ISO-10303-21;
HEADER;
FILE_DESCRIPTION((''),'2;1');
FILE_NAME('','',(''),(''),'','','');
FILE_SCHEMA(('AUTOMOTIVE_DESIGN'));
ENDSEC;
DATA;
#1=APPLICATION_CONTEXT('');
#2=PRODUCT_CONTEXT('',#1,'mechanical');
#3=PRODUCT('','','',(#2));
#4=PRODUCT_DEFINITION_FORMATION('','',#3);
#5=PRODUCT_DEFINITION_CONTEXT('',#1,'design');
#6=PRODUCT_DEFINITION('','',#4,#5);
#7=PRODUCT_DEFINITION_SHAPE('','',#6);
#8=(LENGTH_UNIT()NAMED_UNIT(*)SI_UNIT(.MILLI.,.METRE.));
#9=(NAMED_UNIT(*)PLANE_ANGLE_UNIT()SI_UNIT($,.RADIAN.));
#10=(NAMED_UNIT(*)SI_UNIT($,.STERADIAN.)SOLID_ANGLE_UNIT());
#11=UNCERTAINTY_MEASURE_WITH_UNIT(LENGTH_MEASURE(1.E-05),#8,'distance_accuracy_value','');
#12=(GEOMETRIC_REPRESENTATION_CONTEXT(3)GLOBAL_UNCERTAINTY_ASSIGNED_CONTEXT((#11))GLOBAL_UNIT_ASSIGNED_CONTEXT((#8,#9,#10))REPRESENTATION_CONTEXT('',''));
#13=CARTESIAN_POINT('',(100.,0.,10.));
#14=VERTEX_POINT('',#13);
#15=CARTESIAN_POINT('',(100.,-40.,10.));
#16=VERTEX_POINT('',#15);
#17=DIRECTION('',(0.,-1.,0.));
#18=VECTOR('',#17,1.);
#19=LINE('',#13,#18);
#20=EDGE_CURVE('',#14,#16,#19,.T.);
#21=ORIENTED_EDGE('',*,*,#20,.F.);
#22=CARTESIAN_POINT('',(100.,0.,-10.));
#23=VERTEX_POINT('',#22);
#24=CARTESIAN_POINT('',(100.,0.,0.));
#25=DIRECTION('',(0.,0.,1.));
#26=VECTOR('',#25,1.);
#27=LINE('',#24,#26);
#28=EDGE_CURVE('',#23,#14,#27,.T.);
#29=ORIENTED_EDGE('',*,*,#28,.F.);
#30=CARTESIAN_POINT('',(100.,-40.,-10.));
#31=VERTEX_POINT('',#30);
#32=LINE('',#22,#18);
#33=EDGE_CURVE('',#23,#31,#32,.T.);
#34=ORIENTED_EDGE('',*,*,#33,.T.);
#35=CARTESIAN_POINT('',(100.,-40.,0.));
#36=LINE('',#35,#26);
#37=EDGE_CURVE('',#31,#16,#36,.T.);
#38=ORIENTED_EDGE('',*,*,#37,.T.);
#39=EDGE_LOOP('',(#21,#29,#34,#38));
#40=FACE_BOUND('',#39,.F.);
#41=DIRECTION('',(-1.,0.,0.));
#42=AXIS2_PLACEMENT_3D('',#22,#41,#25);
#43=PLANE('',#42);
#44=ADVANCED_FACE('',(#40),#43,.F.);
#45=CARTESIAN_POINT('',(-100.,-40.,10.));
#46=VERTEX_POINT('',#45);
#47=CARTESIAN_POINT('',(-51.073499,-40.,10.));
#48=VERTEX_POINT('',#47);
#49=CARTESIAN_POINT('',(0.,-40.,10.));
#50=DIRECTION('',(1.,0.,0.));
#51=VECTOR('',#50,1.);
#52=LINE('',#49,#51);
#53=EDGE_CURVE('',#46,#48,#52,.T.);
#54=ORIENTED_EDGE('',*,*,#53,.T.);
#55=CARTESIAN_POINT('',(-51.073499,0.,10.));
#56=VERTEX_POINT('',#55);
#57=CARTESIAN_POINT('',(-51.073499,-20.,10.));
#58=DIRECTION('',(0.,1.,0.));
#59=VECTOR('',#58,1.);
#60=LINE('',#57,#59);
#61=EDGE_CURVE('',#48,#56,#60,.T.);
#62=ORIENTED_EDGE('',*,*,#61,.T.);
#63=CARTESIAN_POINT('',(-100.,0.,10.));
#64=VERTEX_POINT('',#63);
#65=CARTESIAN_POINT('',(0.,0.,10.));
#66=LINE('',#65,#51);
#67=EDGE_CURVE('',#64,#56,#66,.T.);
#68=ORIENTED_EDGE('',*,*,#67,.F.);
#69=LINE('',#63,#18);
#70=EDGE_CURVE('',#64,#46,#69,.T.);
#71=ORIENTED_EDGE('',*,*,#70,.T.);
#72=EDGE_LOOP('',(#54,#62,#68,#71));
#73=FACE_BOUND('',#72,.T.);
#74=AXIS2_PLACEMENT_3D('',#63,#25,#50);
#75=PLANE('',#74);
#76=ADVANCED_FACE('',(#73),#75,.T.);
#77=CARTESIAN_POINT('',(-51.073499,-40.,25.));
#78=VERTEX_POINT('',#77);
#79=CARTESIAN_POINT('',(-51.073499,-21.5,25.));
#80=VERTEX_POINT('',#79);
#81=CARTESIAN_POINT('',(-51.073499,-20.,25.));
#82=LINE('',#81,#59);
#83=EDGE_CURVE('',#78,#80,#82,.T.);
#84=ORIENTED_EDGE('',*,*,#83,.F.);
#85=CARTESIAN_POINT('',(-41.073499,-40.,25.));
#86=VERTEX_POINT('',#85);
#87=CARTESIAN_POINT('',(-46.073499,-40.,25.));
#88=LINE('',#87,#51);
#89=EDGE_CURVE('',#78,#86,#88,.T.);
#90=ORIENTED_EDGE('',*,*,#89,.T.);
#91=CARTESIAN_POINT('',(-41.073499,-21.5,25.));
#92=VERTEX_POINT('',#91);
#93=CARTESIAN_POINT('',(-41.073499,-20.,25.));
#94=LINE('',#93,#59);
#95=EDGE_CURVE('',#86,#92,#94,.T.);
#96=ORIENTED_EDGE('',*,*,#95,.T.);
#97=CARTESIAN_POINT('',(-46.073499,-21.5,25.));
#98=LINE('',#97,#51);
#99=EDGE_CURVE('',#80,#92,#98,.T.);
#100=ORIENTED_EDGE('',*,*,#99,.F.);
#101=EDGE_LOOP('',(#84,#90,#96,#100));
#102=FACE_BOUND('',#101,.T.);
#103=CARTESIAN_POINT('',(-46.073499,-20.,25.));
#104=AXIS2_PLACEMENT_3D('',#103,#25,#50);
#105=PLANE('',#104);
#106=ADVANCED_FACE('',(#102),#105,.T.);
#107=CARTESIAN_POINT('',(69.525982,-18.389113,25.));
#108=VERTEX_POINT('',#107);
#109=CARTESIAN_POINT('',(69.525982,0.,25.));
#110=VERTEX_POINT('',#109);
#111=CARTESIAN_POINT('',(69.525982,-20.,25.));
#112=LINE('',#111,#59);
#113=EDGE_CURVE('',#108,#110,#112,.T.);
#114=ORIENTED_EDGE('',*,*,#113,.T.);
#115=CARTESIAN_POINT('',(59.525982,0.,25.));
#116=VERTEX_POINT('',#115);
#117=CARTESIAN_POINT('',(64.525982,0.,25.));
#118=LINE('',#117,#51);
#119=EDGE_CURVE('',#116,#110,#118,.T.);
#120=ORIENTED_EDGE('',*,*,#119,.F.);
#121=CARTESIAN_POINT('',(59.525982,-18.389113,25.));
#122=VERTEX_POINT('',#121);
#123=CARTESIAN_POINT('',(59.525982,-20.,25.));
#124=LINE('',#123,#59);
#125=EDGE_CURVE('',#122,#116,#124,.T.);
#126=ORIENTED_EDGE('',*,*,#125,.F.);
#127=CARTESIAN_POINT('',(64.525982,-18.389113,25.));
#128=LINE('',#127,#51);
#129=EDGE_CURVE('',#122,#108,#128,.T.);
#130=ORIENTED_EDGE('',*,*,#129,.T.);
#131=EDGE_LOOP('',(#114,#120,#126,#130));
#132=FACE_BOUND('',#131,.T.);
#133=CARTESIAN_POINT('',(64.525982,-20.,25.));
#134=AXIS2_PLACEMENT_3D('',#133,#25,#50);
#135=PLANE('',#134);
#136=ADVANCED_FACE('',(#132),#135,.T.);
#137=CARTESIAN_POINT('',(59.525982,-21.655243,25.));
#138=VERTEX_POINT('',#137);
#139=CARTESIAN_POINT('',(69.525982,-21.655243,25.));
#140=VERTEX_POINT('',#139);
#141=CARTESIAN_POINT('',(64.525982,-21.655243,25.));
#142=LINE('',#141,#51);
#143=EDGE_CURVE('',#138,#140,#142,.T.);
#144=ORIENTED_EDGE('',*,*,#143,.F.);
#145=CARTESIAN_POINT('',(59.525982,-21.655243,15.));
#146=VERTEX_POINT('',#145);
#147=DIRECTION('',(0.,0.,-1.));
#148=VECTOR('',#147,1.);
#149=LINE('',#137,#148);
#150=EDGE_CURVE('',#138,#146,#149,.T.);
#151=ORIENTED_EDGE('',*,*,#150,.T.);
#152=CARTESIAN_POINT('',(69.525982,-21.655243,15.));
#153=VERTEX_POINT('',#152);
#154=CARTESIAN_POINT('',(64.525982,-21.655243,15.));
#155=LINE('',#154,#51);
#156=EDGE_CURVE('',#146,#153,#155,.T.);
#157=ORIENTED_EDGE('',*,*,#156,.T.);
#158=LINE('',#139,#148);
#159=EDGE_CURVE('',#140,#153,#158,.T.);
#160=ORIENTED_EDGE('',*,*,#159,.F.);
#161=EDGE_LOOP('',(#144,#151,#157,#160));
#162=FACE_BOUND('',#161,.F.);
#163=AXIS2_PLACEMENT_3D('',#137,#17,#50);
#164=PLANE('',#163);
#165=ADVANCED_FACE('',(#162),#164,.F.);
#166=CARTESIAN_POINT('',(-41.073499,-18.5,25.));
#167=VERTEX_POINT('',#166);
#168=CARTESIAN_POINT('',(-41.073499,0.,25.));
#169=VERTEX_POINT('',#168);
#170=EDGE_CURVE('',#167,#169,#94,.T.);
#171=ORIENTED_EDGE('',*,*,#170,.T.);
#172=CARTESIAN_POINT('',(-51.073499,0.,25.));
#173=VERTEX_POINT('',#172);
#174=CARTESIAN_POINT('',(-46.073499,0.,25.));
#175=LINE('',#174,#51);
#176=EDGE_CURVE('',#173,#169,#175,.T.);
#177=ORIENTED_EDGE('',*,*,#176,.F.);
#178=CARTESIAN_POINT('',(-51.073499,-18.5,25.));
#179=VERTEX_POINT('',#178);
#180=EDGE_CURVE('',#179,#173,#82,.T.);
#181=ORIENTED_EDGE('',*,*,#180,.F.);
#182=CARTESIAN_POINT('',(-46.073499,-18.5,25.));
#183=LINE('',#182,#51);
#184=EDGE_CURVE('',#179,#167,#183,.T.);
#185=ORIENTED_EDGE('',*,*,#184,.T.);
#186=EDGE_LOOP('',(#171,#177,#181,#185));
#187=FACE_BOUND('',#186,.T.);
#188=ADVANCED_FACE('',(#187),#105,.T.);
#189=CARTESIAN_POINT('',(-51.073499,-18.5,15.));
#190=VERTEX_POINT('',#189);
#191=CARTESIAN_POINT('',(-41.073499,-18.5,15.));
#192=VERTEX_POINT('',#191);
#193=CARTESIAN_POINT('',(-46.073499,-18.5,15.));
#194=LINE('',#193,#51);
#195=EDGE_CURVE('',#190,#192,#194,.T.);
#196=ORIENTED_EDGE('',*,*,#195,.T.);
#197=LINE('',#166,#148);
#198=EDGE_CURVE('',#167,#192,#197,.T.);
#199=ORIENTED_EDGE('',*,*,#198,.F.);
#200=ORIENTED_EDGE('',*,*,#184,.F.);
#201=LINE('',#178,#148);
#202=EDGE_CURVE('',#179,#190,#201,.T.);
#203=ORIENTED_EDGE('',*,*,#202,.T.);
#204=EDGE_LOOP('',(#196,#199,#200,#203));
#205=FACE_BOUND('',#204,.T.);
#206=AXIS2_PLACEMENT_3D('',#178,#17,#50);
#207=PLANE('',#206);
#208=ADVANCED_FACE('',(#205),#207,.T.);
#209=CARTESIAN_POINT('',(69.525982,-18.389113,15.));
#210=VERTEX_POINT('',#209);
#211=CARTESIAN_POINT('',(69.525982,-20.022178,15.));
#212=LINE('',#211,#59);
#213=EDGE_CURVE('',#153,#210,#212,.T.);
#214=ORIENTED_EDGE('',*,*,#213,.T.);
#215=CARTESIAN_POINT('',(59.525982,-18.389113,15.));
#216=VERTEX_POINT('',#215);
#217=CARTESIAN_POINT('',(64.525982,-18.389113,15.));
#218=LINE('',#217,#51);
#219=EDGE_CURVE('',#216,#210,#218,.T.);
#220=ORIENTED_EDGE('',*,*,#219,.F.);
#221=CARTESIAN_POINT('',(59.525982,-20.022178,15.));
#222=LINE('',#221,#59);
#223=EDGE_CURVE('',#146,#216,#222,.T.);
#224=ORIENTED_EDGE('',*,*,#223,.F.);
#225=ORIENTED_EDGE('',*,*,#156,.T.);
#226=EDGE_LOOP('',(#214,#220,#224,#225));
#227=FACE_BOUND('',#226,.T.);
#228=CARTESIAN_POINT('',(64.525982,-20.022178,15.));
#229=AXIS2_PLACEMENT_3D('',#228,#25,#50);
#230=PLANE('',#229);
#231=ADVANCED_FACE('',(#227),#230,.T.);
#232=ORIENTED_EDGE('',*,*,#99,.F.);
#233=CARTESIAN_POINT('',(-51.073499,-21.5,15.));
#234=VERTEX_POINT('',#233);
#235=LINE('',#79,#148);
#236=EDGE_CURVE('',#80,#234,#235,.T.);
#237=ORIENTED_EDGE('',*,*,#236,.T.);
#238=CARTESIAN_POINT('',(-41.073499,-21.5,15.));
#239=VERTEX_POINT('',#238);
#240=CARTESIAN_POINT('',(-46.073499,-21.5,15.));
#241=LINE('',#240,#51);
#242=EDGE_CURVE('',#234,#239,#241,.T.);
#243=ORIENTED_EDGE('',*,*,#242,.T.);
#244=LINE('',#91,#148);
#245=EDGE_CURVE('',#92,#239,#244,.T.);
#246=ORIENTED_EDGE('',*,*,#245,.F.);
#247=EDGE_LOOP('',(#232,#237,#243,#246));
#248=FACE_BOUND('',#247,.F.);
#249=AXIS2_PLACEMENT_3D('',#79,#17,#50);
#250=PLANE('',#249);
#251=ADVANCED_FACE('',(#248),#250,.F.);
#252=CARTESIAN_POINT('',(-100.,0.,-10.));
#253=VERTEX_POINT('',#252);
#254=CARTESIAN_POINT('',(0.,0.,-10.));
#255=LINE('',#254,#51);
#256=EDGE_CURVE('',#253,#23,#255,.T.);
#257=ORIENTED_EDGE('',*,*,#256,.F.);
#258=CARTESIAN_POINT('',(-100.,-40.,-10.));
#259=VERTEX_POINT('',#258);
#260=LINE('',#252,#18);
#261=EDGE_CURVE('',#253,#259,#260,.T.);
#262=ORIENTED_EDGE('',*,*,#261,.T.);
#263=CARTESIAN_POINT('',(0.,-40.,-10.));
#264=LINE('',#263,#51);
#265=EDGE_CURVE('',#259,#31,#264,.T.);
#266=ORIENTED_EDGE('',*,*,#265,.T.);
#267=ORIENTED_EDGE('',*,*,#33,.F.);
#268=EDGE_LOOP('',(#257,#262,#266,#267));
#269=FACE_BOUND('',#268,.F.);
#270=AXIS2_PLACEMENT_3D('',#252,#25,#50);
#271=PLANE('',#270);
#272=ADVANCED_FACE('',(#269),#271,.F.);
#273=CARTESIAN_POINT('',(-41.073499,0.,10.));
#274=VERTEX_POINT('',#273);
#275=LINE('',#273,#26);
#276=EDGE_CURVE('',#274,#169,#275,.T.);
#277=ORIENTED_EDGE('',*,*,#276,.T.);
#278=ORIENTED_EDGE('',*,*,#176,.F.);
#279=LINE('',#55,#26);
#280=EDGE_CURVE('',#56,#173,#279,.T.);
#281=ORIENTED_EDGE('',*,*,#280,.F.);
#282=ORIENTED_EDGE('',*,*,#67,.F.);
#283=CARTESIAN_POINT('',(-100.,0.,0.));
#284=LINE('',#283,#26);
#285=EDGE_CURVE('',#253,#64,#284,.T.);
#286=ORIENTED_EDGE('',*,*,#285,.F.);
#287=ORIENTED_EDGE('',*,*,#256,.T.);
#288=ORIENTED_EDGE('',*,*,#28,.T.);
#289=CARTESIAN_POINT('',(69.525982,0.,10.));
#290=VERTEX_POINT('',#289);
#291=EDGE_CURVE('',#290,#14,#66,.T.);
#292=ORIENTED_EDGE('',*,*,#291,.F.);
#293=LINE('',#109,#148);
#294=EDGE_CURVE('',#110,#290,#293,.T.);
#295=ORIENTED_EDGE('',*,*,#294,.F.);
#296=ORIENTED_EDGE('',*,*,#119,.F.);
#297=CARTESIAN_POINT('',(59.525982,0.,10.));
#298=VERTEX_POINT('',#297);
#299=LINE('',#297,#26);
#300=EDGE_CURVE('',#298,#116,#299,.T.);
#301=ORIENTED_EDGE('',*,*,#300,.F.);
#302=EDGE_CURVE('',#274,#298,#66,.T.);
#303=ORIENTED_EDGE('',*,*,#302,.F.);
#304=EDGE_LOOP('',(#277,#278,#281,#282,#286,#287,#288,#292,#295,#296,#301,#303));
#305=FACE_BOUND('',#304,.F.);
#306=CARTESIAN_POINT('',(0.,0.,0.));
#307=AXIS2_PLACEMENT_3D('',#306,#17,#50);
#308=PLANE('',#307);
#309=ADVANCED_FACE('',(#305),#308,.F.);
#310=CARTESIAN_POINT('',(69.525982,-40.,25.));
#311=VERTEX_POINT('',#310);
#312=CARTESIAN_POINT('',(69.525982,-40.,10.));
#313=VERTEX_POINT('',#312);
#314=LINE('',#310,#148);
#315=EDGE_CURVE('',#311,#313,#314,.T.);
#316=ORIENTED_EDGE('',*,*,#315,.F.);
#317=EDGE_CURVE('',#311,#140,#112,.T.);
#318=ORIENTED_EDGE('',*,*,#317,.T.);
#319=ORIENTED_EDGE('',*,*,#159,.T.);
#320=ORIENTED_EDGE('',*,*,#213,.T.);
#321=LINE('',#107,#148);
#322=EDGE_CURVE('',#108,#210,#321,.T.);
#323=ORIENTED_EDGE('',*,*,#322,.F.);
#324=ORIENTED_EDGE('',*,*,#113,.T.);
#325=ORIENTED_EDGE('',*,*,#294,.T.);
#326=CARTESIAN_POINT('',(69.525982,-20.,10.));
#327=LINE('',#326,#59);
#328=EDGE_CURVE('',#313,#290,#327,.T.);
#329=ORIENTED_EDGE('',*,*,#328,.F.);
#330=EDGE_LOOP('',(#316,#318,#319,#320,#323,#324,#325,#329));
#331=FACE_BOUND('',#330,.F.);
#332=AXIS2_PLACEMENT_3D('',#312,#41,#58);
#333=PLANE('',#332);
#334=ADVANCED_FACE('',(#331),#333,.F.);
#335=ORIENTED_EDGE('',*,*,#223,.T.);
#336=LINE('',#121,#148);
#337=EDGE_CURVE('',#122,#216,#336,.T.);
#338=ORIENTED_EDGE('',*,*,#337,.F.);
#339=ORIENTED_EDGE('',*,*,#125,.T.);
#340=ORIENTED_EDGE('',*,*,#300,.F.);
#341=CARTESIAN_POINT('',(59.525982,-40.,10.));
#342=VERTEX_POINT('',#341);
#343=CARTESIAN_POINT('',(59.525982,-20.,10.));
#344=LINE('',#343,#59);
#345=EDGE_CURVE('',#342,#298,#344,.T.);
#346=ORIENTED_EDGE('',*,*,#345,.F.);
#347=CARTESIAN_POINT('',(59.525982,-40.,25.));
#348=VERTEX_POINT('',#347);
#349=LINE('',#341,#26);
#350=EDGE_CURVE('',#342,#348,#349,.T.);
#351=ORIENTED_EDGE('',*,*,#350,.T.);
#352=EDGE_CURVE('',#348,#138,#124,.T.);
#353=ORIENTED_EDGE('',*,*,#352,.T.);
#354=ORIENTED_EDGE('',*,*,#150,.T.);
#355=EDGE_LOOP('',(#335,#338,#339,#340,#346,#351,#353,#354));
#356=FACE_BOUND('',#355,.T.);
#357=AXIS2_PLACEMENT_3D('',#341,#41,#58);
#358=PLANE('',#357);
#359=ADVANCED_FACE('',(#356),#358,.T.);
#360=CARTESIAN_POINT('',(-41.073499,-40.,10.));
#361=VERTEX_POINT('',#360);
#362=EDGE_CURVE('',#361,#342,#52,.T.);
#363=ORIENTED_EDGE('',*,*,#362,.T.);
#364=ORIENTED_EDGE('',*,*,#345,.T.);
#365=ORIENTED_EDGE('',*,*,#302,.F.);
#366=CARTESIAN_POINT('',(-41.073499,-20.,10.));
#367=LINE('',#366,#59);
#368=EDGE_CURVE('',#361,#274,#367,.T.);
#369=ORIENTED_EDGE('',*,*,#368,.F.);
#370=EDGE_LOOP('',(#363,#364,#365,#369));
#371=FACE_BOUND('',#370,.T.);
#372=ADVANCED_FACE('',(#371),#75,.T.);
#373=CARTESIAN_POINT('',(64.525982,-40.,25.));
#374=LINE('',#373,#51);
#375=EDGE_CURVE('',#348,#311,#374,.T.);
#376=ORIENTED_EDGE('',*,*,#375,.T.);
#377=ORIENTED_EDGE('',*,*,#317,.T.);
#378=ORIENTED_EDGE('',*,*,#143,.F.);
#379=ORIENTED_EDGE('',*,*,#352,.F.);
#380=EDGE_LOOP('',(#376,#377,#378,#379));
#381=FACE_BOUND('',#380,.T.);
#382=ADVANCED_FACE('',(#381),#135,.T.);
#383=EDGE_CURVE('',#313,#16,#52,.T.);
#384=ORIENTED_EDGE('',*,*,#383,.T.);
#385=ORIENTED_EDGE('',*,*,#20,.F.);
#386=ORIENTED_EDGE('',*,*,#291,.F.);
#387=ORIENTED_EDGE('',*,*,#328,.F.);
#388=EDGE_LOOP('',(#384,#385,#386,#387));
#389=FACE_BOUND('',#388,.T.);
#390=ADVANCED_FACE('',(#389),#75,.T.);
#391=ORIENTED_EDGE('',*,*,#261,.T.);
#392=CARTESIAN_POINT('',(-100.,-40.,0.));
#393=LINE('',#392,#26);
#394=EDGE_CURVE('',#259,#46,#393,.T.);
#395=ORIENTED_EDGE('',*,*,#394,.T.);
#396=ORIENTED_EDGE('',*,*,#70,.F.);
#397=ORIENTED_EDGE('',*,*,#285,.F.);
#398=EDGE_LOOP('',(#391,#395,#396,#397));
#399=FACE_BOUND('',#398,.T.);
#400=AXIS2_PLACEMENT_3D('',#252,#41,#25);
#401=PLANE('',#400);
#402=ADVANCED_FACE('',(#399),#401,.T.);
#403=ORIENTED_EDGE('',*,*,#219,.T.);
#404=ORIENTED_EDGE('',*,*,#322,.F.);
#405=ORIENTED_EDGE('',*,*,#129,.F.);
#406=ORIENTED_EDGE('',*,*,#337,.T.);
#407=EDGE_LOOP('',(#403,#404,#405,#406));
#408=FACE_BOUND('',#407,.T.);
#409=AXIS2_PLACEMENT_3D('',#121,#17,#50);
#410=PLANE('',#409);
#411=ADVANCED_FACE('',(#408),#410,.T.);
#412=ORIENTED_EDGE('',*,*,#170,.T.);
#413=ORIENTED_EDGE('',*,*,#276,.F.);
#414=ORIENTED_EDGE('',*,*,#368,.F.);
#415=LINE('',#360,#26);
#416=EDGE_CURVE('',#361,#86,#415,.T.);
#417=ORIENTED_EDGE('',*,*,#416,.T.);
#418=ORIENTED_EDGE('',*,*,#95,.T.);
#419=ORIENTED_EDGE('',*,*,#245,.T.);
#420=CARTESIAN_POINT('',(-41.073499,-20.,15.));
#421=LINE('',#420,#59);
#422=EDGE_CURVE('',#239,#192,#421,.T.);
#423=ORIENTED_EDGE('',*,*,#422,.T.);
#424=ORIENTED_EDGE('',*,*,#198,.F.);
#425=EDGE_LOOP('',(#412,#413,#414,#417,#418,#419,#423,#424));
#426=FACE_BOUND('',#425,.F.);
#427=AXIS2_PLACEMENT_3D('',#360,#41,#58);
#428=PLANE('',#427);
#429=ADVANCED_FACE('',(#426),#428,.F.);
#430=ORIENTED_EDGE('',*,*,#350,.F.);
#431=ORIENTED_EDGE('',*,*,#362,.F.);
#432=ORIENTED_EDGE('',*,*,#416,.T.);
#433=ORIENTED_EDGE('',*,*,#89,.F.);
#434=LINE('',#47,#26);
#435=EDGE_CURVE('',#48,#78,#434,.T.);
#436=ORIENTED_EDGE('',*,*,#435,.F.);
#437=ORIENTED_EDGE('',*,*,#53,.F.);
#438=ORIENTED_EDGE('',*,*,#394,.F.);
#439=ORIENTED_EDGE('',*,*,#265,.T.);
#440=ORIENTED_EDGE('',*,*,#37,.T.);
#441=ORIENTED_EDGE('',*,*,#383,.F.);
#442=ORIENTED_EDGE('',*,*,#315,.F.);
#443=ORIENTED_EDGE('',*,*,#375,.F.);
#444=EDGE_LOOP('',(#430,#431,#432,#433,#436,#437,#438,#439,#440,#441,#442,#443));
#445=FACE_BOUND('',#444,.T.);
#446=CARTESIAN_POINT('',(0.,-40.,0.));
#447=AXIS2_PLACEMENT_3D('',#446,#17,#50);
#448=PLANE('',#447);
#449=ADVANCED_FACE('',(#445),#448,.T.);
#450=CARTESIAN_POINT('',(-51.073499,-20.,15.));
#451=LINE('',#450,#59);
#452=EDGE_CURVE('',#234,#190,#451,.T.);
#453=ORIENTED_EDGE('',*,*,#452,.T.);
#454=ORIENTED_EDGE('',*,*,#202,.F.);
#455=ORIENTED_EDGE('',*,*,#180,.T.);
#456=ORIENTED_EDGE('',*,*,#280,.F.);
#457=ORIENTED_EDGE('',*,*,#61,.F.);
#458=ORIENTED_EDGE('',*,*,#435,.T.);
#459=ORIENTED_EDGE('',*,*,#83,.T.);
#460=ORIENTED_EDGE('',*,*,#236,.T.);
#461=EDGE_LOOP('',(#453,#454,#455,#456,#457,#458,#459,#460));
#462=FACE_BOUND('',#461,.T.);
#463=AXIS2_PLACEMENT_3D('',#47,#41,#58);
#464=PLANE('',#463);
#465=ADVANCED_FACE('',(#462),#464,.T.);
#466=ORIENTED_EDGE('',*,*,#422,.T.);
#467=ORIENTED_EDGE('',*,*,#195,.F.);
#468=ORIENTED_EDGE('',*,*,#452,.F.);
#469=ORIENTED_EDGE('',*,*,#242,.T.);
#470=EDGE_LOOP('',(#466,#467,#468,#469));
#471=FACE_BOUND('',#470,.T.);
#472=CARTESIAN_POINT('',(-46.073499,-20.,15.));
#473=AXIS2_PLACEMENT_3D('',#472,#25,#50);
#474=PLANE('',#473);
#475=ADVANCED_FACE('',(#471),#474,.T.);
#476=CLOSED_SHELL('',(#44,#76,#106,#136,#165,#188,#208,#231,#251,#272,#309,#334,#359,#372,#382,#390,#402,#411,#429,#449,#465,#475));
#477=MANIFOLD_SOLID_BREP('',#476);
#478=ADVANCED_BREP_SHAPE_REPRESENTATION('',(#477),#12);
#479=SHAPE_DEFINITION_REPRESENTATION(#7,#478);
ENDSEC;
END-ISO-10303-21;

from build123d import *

# Parameters (mm, degrees)
F0_W     = 200
F0_H     = 20
F1_DEPTH = 40
F2_W     = 10
F2_H     = 40
F3_DEPTH = 10
F4_DEPTH = 15
F5_W     = 10
F5_H     = 3
F6_DEPTH = 10
F7_W     = 10
F7_H     = 3.26613
F8_DEPTH = 10


with BuildPart() as f1:
    # F0 (on Front) → F1 (new body)
    with BuildSketch(Plane.XZ):
        Rectangle(F0_W, F0_H)
    extrude(amount=F1_DEPTH)

    # F2 (on face) → F3 (join)
    with BuildSketch(Plane.XY.offset(10)):
        with Locations((64.525982, -20)):
            Rectangle(F2_W, F2_H)
    extrude(amount=F3_DEPTH)

    # F2 (on face) → F4 (join)
    with BuildSketch(Plane.XY.offset(10)):
        with Locations((64.525982, -20)):
            Rectangle(F2_W, F2_H)
        with Locations((-46.073499, -20)):
            Rectangle(F2_W, F2_H)
    extrude(amount=F4_DEPTH)

    # F5 (on face) → F6 (cut)
    with BuildSketch(Plane.XY.offset(25)):
        with Locations((-46.073499, -20)):
            Rectangle(F5_W, F5_H)
    extrude(amount=-F6_DEPTH, mode=Mode.SUBTRACT)

    # F7 (on face) → F8 (cut)
    with BuildSketch(Plane.XY.offset(25)):
        with Locations((64.525982, -20.022178)):
            Rectangle(F7_W, F7_H)
    extrude(amount=-F8_DEPTH, mode=Mode.SUBTRACT)


solid = f1.part
